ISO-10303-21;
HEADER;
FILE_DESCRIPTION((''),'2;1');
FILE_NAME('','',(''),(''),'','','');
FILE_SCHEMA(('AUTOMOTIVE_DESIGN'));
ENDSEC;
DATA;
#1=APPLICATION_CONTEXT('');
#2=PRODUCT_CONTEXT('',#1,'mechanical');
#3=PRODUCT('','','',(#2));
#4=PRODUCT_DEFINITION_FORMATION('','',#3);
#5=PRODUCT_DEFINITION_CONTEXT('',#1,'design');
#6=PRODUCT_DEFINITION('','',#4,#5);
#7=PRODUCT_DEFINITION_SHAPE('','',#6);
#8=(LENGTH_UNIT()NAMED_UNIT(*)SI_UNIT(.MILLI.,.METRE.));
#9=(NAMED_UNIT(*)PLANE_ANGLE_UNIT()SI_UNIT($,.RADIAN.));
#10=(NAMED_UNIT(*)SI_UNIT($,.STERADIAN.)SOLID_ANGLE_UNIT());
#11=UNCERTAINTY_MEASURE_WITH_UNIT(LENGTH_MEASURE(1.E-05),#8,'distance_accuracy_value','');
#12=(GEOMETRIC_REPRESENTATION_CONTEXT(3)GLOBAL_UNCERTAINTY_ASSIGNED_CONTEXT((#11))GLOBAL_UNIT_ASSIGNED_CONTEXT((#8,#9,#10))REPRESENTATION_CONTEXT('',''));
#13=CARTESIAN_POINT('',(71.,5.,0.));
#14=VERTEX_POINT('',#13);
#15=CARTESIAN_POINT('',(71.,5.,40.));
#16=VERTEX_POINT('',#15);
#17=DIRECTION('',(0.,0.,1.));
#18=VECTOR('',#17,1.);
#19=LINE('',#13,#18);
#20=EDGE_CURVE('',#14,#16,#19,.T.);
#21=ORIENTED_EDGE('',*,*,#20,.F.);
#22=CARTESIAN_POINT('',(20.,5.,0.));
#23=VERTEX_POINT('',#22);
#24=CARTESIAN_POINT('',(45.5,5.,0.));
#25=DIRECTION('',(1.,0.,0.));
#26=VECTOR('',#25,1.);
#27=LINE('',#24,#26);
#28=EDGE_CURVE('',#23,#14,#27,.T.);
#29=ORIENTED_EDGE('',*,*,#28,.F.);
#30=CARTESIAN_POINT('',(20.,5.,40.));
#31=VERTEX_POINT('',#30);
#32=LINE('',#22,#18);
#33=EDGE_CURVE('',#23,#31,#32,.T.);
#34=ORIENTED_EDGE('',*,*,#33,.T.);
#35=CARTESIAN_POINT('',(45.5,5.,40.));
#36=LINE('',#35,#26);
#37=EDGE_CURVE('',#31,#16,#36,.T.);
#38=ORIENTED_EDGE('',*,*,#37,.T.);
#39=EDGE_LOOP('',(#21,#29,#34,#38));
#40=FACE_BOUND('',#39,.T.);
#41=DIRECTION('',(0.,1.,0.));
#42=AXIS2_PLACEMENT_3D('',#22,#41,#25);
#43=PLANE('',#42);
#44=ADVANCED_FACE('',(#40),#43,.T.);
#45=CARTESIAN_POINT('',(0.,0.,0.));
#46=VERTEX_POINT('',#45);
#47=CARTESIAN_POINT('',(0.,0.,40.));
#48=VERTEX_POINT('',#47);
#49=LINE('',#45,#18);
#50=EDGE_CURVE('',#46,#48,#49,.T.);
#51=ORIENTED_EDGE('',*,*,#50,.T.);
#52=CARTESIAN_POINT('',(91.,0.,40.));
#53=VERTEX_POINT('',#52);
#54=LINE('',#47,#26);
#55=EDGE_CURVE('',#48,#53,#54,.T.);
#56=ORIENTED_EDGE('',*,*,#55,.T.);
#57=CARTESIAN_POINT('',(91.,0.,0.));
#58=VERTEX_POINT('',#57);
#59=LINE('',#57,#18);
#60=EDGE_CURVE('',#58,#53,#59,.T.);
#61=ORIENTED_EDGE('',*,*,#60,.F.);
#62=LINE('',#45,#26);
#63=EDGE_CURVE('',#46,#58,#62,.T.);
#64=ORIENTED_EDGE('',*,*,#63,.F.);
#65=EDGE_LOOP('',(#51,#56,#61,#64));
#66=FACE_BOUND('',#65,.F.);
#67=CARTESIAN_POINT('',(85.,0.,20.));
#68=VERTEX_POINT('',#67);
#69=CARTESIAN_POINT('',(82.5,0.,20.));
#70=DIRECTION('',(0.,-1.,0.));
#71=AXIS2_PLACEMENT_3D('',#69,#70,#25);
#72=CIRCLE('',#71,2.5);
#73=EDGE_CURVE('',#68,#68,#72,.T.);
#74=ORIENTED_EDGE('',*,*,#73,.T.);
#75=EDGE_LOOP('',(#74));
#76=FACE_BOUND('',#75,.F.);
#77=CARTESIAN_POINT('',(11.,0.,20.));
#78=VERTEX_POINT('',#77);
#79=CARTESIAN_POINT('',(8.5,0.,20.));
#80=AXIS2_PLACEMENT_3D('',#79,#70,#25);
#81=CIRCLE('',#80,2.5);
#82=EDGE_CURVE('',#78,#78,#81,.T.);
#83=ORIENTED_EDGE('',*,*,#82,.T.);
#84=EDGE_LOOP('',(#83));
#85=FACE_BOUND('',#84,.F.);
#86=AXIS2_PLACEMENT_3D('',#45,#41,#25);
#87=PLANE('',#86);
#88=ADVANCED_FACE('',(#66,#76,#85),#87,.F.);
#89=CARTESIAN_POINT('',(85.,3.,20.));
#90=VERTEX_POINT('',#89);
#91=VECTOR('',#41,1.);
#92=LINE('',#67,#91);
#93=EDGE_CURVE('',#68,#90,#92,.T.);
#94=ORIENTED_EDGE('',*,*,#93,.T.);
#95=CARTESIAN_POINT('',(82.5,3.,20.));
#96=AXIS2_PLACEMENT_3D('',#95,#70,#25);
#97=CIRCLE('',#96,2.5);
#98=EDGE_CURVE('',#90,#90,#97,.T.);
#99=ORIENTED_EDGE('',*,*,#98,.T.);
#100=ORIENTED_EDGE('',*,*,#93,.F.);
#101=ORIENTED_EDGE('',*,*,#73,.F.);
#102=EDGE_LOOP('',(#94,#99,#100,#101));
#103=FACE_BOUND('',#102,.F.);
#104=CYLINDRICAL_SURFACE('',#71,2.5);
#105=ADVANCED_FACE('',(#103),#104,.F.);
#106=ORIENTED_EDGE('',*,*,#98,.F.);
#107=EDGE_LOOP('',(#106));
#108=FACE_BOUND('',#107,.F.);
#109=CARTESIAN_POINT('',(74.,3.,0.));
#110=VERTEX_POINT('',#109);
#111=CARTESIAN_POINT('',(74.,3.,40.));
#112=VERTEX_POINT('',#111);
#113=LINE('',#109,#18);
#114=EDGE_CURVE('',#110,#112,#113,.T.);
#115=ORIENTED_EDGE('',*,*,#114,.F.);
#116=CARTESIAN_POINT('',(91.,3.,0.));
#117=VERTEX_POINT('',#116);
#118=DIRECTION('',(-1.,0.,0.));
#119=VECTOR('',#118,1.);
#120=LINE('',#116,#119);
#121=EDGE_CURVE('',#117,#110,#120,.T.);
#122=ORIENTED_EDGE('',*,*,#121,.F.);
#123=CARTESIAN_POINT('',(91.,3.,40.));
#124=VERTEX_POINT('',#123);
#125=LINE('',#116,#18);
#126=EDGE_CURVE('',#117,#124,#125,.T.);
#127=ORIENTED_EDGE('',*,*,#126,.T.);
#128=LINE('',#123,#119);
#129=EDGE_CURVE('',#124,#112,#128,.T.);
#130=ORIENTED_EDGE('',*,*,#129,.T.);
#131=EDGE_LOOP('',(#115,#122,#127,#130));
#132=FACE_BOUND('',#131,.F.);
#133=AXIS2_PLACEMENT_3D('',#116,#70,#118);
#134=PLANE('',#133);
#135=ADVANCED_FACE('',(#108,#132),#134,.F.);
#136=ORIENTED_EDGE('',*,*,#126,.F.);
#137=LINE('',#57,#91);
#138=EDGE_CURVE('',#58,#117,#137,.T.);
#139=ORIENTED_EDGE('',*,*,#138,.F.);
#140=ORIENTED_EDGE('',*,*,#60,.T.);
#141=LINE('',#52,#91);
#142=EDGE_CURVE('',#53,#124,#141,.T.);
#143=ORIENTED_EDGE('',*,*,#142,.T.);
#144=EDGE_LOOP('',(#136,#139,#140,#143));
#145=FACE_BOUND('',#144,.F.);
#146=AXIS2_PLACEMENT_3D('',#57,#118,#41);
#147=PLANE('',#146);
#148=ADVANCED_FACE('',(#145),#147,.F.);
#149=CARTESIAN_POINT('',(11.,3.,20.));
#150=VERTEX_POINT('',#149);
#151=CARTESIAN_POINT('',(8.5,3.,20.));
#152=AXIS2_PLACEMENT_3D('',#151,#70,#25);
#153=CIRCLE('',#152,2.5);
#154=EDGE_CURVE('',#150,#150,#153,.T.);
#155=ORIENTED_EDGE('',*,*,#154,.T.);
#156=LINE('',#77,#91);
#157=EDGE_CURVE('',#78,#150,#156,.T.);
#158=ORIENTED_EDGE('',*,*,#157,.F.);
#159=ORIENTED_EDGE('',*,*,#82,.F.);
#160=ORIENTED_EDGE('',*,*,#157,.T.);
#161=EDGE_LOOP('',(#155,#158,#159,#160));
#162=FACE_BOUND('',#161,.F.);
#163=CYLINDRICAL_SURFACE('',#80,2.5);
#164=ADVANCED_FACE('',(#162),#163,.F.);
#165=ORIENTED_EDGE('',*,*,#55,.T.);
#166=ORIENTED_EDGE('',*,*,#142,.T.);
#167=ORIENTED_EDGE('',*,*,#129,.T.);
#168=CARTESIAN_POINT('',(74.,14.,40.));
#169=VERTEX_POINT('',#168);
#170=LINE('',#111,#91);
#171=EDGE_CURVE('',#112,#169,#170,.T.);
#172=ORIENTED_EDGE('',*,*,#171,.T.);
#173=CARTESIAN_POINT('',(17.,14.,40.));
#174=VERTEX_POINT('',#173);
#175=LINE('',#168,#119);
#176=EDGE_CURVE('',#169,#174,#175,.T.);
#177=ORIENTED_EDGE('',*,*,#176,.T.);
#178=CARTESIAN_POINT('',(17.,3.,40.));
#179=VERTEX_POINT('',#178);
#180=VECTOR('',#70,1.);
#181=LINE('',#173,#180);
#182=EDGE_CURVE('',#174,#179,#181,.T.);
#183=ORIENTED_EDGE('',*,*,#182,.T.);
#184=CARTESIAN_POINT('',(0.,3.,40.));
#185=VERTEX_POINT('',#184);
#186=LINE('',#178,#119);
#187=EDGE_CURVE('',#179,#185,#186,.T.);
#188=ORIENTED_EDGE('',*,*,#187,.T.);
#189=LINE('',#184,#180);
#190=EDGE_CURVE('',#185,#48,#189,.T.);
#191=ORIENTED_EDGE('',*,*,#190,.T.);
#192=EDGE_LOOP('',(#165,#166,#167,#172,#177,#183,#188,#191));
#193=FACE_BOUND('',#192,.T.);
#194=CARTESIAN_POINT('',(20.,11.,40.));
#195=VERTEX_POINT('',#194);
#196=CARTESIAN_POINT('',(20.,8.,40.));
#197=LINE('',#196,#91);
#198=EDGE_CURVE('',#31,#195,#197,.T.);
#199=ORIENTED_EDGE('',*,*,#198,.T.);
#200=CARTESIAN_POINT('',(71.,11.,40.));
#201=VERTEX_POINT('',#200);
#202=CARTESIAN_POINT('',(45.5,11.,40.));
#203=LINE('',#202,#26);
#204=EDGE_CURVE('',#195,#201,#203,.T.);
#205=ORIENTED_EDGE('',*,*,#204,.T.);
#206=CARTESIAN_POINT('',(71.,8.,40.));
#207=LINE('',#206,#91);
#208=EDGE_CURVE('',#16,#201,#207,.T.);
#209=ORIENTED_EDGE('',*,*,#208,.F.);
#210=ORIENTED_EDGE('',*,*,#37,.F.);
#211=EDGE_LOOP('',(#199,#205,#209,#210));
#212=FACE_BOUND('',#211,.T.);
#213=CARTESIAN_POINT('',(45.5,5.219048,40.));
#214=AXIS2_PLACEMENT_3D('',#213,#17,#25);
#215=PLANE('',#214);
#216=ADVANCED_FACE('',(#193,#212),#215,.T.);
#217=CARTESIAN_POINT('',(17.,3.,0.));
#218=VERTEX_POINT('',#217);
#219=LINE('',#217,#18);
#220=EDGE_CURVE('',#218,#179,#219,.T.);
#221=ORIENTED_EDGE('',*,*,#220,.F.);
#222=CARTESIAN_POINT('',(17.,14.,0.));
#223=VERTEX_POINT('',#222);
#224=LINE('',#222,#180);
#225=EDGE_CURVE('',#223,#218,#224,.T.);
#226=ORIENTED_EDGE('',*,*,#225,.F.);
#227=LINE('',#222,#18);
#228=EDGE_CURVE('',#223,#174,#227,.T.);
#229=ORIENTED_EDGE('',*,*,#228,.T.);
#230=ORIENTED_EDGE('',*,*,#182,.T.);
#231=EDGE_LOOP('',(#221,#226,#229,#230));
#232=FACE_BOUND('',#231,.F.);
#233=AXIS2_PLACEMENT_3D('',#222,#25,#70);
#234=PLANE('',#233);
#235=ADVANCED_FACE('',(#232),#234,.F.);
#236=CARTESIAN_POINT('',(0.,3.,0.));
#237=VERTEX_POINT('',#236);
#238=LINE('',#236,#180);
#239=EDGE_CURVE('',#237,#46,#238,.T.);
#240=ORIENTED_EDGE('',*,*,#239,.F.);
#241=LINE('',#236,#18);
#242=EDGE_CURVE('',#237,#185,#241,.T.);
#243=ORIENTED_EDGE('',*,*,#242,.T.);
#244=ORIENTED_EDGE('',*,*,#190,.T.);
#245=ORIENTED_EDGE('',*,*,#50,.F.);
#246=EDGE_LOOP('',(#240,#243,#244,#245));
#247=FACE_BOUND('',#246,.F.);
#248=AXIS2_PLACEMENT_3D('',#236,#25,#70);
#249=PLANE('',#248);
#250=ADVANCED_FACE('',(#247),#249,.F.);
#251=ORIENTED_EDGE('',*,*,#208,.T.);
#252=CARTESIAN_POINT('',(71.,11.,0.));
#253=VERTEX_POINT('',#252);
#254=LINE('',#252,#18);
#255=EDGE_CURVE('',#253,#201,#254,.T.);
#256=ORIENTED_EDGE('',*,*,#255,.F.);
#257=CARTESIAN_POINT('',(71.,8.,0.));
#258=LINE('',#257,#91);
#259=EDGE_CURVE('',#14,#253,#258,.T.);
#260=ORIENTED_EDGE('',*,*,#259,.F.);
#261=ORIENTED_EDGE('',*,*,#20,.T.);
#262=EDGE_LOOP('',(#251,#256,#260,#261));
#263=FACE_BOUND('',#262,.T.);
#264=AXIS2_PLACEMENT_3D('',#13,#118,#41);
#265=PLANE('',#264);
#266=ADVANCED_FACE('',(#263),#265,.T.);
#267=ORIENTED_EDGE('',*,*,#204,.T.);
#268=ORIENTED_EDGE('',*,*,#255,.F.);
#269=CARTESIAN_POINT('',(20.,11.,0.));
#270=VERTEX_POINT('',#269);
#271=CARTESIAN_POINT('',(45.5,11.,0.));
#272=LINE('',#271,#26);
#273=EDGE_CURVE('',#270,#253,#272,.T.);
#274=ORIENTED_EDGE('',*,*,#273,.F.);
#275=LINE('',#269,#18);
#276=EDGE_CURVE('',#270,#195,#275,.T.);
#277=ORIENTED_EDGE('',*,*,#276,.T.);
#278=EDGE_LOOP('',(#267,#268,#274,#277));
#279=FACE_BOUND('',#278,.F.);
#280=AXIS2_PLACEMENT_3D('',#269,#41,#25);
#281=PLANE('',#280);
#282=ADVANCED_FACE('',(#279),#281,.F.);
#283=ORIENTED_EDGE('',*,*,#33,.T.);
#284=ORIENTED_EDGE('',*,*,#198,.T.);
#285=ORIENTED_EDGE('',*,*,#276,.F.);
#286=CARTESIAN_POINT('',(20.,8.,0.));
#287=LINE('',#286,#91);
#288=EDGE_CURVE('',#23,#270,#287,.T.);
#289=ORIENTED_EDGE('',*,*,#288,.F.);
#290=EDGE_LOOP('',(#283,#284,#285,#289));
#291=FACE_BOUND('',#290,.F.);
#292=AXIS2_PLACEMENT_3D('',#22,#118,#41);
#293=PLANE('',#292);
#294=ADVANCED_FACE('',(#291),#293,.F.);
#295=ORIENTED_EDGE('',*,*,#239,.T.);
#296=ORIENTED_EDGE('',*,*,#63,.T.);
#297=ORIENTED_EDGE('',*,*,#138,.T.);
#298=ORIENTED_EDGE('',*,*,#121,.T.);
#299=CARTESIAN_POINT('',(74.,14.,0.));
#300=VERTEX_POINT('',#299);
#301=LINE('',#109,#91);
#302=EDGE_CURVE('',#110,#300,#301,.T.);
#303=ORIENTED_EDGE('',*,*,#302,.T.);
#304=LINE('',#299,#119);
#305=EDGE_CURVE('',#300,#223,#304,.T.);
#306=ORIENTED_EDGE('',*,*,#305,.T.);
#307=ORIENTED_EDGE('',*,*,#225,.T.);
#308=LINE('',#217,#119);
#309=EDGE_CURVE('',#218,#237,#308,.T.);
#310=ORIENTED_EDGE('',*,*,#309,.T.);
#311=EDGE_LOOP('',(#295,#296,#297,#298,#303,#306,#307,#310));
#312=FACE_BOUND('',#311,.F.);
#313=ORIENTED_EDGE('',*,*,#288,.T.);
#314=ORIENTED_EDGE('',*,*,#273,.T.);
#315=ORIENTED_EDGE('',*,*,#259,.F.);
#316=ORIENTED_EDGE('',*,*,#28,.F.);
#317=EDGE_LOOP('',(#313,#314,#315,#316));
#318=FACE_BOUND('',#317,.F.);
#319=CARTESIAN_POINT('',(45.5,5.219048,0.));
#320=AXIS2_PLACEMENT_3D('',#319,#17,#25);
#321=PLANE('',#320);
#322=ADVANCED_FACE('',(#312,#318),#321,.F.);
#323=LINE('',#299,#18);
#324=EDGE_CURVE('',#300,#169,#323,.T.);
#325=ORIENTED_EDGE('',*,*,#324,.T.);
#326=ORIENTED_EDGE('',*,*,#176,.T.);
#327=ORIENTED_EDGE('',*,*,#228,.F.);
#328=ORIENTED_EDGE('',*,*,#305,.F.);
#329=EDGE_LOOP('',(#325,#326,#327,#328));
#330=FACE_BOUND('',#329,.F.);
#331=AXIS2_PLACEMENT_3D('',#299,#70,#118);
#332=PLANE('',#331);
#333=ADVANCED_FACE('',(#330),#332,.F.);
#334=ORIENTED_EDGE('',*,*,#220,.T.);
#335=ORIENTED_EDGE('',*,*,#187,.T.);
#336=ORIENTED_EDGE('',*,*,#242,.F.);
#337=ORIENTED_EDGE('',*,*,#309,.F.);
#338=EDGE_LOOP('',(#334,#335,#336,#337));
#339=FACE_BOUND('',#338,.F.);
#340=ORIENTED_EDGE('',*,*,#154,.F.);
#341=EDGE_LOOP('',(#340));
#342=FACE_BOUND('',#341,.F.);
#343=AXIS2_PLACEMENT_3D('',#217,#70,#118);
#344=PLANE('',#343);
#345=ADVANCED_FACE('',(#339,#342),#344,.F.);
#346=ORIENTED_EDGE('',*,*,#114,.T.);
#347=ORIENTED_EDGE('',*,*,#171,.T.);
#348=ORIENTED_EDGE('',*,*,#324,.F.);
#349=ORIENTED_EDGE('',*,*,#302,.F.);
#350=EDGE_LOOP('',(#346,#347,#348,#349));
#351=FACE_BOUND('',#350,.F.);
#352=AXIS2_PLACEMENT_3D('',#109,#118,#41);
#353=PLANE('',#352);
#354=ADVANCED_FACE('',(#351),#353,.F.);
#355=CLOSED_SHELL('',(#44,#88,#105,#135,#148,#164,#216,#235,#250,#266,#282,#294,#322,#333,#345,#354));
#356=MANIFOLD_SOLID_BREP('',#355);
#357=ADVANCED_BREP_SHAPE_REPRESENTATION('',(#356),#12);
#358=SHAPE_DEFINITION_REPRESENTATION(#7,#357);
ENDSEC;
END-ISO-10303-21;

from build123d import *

# Parameters (mm, degrees)
F0_W     = 51
F0_H     = 6
F1_DEPTH = 40
F2_R     = 2.5
F3_DEPTH = 3


with BuildPart() as f1:
    # F0 (on Top) → F1 (new body)
    with BuildSketch(Plane.XY):
        Polygon((0, 3), (0, 0), (91, 0), (91, 3), (74, 3), (74, 14), (17, 14), (17, 3), align=None)
        with Locations((45.5, 8)):
            Rectangle(F0_W, F0_H, mode=Mode.SUBTRACT)
    extrude(amount=F1_DEPTH)

    # F2 (on face) → F3 (cut)
    with BuildSketch(Plane.XZ):
        with Locations((8.5, 20)):
            Circle(F2_R)
        with Locations((82.5, 20)):
            Circle(F2_R)
    extrude(amount=-F3_DEPTH, mode=Mode.SUBTRACT)


solid = f1.part
